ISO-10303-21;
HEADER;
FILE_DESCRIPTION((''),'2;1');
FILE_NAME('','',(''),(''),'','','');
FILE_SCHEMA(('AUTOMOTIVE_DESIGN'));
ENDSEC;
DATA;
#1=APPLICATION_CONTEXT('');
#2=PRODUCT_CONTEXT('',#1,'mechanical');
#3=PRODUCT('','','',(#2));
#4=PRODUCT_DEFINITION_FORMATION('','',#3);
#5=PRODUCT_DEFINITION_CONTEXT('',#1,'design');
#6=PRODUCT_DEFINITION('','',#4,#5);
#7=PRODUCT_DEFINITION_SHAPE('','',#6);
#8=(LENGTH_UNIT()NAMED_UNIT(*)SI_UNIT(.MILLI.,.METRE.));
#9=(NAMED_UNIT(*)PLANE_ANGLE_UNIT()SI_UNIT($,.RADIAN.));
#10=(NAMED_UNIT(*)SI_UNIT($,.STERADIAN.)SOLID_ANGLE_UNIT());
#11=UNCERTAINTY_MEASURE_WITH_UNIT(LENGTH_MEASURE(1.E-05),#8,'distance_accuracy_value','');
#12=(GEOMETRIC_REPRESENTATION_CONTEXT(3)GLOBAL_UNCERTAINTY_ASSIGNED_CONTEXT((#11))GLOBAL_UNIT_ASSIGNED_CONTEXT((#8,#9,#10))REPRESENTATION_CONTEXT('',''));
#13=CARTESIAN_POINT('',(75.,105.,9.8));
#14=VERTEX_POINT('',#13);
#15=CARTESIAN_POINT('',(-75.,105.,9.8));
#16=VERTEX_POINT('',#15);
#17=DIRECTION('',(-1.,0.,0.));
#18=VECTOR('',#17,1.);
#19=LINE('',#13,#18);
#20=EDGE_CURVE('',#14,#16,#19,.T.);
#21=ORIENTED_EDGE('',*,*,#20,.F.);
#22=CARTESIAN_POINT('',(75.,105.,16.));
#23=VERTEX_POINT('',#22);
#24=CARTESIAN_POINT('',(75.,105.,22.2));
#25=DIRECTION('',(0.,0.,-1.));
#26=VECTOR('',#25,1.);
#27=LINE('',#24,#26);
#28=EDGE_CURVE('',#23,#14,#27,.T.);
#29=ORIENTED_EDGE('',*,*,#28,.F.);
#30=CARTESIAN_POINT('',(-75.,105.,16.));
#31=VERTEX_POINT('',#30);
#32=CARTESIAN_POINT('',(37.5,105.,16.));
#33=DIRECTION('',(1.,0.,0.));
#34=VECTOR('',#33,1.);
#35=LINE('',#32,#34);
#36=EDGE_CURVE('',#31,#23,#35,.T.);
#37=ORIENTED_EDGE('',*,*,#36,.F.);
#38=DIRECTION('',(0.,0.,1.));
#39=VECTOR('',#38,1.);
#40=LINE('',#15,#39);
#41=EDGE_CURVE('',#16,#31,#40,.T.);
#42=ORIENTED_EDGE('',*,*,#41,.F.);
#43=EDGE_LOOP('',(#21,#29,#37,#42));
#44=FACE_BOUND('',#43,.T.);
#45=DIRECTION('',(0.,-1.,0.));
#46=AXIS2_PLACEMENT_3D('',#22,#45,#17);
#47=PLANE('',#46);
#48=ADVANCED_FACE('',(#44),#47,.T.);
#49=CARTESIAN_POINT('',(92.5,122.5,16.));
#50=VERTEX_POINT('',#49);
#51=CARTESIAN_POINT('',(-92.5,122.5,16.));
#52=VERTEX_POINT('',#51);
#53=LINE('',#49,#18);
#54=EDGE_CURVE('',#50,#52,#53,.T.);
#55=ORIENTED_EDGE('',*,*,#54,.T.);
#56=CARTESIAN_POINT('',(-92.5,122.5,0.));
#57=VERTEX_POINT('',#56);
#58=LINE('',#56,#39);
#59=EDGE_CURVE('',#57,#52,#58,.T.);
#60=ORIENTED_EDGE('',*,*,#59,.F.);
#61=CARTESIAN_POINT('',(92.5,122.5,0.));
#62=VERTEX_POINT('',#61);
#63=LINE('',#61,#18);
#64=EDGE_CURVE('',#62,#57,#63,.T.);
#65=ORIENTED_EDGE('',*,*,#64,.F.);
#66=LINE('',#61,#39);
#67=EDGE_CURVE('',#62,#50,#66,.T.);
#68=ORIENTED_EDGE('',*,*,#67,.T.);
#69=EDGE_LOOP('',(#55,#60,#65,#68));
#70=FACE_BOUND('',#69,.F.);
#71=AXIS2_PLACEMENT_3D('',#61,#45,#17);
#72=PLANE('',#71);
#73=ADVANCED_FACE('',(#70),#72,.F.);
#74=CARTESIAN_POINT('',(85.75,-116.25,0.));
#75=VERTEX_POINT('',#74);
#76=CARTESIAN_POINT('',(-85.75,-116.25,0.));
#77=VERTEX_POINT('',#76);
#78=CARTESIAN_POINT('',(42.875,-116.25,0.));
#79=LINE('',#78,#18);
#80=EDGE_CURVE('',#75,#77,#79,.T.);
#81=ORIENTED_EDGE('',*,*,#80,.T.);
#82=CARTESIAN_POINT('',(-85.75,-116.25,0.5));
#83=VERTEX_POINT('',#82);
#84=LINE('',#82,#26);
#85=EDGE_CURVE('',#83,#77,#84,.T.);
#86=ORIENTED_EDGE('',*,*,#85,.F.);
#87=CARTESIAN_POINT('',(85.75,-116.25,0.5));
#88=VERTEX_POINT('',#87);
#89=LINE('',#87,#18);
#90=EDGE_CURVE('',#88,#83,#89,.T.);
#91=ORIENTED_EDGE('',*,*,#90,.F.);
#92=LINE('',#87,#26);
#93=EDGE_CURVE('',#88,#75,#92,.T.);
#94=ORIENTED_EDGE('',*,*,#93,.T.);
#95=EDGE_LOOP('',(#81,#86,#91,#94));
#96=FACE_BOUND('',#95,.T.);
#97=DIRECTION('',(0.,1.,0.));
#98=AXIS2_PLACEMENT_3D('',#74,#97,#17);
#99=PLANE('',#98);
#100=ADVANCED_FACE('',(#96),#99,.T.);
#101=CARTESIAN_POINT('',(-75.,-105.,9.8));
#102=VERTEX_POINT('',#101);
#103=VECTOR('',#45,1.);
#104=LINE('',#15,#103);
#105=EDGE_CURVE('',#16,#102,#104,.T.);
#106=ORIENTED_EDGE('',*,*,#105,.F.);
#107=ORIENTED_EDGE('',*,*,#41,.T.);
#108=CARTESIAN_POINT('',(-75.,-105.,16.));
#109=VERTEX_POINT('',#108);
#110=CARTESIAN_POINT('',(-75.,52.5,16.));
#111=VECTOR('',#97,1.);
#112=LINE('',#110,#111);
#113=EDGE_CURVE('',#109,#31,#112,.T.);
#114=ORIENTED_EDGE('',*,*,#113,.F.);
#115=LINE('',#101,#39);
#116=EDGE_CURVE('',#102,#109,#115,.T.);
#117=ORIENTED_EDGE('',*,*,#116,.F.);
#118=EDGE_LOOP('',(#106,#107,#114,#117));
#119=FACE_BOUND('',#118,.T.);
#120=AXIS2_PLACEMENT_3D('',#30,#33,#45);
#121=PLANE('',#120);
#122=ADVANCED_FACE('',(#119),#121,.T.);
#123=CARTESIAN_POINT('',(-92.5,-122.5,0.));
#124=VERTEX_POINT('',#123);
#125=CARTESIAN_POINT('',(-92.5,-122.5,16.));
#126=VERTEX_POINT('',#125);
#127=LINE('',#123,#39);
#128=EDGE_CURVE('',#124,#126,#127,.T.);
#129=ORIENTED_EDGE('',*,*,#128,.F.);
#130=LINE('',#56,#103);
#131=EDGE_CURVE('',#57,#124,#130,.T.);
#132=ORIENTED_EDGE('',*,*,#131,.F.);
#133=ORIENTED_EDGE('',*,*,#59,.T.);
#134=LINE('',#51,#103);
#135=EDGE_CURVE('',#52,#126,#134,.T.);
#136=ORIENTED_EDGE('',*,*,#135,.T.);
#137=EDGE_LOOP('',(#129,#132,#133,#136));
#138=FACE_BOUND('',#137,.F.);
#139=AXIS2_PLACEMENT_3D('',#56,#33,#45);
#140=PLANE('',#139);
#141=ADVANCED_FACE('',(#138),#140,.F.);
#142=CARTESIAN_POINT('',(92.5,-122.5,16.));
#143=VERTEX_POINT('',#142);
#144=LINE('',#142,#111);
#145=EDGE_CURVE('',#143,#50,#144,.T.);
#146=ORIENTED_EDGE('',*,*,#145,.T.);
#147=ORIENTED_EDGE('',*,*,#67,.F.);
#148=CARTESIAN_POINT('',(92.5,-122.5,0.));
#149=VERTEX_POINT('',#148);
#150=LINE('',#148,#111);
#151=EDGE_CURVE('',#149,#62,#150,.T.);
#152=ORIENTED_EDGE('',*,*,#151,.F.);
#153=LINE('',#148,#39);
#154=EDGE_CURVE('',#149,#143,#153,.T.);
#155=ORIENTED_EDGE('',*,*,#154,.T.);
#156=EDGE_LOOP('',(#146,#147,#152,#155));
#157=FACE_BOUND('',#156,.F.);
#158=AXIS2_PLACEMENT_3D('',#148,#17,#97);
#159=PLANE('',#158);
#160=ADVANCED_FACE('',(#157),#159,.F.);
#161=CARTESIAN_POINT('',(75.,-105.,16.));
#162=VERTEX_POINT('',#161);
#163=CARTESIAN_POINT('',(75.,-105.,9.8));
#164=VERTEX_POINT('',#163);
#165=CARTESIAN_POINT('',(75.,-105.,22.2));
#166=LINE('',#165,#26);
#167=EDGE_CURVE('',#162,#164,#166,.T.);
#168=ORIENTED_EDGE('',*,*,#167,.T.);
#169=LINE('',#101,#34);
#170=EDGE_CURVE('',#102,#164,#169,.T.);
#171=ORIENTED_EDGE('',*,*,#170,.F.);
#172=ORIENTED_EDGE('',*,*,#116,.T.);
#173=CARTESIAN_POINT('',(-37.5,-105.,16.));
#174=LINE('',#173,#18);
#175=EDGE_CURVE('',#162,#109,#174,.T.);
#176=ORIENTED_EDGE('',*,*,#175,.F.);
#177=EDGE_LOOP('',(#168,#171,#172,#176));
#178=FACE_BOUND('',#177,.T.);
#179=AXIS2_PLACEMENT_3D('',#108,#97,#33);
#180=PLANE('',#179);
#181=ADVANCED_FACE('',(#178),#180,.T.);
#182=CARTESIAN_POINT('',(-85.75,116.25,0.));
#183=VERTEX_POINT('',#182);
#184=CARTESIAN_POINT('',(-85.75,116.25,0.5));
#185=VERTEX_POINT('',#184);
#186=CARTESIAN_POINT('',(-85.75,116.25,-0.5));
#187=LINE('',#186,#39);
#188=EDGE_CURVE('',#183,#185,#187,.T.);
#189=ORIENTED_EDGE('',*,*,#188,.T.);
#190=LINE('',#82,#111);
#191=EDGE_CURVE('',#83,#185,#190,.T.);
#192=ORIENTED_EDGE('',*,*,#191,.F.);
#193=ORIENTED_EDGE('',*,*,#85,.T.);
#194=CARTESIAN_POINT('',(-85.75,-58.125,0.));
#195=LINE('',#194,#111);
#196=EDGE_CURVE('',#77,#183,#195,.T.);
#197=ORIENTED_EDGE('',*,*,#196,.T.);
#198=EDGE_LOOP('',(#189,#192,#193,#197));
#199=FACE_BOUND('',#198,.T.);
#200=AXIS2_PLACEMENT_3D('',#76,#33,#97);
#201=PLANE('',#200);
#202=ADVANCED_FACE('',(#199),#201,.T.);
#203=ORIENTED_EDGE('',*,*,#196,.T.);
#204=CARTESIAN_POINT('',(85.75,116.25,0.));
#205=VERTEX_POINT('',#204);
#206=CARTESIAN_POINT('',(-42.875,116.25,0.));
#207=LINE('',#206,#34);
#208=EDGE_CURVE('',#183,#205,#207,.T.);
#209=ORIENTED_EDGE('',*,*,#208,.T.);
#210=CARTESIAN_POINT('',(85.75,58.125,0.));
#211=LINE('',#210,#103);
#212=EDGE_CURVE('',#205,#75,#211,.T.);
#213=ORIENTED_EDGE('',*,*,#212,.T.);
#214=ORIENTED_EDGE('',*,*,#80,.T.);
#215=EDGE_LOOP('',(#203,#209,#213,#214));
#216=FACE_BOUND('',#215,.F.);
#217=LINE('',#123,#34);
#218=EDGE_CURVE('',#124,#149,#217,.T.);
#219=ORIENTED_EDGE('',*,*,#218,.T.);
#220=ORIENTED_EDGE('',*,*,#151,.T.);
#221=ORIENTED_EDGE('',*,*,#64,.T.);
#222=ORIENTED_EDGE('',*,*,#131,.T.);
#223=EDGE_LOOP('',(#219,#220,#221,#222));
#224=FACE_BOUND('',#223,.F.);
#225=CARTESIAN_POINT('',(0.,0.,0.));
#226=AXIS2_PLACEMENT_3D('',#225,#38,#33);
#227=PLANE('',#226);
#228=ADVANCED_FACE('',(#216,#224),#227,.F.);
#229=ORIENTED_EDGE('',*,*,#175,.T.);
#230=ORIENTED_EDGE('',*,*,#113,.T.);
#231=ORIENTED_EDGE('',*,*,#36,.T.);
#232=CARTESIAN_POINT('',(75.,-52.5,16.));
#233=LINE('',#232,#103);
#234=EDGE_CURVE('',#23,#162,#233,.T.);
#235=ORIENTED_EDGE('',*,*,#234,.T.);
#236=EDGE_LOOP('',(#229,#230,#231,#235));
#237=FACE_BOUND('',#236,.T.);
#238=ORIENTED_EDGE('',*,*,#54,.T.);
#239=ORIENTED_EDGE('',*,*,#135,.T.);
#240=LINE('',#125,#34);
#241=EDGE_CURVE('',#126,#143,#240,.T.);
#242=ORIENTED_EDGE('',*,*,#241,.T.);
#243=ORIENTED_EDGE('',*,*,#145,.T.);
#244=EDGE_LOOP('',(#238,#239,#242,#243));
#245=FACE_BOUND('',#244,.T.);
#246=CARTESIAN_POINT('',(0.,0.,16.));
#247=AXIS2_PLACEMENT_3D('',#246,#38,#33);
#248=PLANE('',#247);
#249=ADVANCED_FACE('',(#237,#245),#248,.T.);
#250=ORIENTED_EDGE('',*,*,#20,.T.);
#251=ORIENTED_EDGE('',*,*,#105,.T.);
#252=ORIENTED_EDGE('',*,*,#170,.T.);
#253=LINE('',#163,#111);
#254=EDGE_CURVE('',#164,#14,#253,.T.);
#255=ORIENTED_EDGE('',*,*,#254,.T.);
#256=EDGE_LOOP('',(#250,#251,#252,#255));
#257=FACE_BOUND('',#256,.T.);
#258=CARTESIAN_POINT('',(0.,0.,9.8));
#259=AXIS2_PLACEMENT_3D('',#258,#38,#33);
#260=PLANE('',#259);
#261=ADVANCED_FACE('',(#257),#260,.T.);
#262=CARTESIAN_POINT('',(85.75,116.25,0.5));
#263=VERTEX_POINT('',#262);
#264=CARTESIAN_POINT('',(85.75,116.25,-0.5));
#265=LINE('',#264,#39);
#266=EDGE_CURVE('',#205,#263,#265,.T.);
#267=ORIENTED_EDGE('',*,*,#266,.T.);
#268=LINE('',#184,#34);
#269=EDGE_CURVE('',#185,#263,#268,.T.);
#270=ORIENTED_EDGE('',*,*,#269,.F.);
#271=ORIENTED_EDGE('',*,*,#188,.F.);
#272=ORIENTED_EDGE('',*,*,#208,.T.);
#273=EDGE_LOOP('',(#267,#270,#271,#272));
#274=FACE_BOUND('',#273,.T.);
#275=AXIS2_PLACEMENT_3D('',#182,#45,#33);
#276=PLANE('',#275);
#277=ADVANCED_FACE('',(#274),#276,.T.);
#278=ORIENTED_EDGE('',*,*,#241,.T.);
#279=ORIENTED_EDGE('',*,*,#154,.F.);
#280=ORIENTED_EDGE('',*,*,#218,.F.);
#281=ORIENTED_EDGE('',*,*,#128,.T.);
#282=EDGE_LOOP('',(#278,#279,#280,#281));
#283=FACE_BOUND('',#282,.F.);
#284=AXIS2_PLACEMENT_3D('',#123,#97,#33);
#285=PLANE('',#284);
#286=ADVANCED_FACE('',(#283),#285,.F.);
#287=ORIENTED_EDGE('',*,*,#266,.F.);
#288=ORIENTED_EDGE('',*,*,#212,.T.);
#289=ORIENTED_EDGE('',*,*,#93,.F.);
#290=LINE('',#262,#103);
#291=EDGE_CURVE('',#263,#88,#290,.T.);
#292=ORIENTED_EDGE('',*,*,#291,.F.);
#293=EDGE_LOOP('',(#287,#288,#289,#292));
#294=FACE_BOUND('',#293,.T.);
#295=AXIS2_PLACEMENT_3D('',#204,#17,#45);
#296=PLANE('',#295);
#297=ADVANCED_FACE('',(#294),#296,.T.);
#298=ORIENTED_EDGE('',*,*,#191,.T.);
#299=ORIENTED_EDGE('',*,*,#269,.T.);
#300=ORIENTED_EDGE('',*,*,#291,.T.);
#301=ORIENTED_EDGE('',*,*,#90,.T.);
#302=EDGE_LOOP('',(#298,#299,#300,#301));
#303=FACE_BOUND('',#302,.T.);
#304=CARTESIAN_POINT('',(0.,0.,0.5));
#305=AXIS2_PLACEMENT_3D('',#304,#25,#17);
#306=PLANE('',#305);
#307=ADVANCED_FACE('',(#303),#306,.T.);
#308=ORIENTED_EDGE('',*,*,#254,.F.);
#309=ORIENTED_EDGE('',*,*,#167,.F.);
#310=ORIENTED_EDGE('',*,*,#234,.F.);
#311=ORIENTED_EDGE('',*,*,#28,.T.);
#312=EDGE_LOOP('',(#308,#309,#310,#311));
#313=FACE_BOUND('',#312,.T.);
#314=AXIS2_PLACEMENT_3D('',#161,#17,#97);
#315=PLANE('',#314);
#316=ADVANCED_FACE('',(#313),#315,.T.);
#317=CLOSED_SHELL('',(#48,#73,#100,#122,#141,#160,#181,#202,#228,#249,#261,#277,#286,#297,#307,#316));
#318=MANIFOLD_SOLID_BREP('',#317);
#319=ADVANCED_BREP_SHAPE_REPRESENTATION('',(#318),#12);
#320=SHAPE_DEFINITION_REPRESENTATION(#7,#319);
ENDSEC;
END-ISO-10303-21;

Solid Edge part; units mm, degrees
sketch "Sketch1" plane through (0, 0, 0) normal (0, 0, 1) x (1, 0, 0)
  line L0 (92.5, 122.5) -> (-92.5, 122.5)
  line L1 (-92.5, 122.5) -> (-92.5, -122.5)
  line L2 (-92.5, -122.5) -> (92.5, -122.5)
  line L3 (92.5, -122.5) -> (92.5, 122.5)
extrude "Protrusion1" add sketch "Sketch1" along normal blind 16
sketch "Sketch2" plane through (0, 0, 0) normal (0, 0, -1) x (-1, 0, 0)
  line L0 (-85.75, 116.25) -> (-85.75, -116.25)
  line L1 (-85.75, -116.25) -> (85.75, -116.25)
  line L2 (85.75, -116.25) -> (85.75, 116.25)
  line L3 (85.75, 116.25) -> (-85.75, 116.25)
extrude "Wycięcie_1" cut sketch "Sketch2" along normal mid plane 1
sketch "Sketch3" plane through (0, 0, 16) normal (0, 0, 1) x (1, 0, 0)
  line L0 (75, 105) -> (-75, 105)
  line L1 (-75, 105) -> (-75, -105)
  line L2 (-75, -105) -> (75, -105)
  line L3 (75, -105) -> (75, 105)
extrude "Wycięcie_2" cut sketch "Sketch3" along normal mid plane 12.4
properties material "Aluminium, 1060"
